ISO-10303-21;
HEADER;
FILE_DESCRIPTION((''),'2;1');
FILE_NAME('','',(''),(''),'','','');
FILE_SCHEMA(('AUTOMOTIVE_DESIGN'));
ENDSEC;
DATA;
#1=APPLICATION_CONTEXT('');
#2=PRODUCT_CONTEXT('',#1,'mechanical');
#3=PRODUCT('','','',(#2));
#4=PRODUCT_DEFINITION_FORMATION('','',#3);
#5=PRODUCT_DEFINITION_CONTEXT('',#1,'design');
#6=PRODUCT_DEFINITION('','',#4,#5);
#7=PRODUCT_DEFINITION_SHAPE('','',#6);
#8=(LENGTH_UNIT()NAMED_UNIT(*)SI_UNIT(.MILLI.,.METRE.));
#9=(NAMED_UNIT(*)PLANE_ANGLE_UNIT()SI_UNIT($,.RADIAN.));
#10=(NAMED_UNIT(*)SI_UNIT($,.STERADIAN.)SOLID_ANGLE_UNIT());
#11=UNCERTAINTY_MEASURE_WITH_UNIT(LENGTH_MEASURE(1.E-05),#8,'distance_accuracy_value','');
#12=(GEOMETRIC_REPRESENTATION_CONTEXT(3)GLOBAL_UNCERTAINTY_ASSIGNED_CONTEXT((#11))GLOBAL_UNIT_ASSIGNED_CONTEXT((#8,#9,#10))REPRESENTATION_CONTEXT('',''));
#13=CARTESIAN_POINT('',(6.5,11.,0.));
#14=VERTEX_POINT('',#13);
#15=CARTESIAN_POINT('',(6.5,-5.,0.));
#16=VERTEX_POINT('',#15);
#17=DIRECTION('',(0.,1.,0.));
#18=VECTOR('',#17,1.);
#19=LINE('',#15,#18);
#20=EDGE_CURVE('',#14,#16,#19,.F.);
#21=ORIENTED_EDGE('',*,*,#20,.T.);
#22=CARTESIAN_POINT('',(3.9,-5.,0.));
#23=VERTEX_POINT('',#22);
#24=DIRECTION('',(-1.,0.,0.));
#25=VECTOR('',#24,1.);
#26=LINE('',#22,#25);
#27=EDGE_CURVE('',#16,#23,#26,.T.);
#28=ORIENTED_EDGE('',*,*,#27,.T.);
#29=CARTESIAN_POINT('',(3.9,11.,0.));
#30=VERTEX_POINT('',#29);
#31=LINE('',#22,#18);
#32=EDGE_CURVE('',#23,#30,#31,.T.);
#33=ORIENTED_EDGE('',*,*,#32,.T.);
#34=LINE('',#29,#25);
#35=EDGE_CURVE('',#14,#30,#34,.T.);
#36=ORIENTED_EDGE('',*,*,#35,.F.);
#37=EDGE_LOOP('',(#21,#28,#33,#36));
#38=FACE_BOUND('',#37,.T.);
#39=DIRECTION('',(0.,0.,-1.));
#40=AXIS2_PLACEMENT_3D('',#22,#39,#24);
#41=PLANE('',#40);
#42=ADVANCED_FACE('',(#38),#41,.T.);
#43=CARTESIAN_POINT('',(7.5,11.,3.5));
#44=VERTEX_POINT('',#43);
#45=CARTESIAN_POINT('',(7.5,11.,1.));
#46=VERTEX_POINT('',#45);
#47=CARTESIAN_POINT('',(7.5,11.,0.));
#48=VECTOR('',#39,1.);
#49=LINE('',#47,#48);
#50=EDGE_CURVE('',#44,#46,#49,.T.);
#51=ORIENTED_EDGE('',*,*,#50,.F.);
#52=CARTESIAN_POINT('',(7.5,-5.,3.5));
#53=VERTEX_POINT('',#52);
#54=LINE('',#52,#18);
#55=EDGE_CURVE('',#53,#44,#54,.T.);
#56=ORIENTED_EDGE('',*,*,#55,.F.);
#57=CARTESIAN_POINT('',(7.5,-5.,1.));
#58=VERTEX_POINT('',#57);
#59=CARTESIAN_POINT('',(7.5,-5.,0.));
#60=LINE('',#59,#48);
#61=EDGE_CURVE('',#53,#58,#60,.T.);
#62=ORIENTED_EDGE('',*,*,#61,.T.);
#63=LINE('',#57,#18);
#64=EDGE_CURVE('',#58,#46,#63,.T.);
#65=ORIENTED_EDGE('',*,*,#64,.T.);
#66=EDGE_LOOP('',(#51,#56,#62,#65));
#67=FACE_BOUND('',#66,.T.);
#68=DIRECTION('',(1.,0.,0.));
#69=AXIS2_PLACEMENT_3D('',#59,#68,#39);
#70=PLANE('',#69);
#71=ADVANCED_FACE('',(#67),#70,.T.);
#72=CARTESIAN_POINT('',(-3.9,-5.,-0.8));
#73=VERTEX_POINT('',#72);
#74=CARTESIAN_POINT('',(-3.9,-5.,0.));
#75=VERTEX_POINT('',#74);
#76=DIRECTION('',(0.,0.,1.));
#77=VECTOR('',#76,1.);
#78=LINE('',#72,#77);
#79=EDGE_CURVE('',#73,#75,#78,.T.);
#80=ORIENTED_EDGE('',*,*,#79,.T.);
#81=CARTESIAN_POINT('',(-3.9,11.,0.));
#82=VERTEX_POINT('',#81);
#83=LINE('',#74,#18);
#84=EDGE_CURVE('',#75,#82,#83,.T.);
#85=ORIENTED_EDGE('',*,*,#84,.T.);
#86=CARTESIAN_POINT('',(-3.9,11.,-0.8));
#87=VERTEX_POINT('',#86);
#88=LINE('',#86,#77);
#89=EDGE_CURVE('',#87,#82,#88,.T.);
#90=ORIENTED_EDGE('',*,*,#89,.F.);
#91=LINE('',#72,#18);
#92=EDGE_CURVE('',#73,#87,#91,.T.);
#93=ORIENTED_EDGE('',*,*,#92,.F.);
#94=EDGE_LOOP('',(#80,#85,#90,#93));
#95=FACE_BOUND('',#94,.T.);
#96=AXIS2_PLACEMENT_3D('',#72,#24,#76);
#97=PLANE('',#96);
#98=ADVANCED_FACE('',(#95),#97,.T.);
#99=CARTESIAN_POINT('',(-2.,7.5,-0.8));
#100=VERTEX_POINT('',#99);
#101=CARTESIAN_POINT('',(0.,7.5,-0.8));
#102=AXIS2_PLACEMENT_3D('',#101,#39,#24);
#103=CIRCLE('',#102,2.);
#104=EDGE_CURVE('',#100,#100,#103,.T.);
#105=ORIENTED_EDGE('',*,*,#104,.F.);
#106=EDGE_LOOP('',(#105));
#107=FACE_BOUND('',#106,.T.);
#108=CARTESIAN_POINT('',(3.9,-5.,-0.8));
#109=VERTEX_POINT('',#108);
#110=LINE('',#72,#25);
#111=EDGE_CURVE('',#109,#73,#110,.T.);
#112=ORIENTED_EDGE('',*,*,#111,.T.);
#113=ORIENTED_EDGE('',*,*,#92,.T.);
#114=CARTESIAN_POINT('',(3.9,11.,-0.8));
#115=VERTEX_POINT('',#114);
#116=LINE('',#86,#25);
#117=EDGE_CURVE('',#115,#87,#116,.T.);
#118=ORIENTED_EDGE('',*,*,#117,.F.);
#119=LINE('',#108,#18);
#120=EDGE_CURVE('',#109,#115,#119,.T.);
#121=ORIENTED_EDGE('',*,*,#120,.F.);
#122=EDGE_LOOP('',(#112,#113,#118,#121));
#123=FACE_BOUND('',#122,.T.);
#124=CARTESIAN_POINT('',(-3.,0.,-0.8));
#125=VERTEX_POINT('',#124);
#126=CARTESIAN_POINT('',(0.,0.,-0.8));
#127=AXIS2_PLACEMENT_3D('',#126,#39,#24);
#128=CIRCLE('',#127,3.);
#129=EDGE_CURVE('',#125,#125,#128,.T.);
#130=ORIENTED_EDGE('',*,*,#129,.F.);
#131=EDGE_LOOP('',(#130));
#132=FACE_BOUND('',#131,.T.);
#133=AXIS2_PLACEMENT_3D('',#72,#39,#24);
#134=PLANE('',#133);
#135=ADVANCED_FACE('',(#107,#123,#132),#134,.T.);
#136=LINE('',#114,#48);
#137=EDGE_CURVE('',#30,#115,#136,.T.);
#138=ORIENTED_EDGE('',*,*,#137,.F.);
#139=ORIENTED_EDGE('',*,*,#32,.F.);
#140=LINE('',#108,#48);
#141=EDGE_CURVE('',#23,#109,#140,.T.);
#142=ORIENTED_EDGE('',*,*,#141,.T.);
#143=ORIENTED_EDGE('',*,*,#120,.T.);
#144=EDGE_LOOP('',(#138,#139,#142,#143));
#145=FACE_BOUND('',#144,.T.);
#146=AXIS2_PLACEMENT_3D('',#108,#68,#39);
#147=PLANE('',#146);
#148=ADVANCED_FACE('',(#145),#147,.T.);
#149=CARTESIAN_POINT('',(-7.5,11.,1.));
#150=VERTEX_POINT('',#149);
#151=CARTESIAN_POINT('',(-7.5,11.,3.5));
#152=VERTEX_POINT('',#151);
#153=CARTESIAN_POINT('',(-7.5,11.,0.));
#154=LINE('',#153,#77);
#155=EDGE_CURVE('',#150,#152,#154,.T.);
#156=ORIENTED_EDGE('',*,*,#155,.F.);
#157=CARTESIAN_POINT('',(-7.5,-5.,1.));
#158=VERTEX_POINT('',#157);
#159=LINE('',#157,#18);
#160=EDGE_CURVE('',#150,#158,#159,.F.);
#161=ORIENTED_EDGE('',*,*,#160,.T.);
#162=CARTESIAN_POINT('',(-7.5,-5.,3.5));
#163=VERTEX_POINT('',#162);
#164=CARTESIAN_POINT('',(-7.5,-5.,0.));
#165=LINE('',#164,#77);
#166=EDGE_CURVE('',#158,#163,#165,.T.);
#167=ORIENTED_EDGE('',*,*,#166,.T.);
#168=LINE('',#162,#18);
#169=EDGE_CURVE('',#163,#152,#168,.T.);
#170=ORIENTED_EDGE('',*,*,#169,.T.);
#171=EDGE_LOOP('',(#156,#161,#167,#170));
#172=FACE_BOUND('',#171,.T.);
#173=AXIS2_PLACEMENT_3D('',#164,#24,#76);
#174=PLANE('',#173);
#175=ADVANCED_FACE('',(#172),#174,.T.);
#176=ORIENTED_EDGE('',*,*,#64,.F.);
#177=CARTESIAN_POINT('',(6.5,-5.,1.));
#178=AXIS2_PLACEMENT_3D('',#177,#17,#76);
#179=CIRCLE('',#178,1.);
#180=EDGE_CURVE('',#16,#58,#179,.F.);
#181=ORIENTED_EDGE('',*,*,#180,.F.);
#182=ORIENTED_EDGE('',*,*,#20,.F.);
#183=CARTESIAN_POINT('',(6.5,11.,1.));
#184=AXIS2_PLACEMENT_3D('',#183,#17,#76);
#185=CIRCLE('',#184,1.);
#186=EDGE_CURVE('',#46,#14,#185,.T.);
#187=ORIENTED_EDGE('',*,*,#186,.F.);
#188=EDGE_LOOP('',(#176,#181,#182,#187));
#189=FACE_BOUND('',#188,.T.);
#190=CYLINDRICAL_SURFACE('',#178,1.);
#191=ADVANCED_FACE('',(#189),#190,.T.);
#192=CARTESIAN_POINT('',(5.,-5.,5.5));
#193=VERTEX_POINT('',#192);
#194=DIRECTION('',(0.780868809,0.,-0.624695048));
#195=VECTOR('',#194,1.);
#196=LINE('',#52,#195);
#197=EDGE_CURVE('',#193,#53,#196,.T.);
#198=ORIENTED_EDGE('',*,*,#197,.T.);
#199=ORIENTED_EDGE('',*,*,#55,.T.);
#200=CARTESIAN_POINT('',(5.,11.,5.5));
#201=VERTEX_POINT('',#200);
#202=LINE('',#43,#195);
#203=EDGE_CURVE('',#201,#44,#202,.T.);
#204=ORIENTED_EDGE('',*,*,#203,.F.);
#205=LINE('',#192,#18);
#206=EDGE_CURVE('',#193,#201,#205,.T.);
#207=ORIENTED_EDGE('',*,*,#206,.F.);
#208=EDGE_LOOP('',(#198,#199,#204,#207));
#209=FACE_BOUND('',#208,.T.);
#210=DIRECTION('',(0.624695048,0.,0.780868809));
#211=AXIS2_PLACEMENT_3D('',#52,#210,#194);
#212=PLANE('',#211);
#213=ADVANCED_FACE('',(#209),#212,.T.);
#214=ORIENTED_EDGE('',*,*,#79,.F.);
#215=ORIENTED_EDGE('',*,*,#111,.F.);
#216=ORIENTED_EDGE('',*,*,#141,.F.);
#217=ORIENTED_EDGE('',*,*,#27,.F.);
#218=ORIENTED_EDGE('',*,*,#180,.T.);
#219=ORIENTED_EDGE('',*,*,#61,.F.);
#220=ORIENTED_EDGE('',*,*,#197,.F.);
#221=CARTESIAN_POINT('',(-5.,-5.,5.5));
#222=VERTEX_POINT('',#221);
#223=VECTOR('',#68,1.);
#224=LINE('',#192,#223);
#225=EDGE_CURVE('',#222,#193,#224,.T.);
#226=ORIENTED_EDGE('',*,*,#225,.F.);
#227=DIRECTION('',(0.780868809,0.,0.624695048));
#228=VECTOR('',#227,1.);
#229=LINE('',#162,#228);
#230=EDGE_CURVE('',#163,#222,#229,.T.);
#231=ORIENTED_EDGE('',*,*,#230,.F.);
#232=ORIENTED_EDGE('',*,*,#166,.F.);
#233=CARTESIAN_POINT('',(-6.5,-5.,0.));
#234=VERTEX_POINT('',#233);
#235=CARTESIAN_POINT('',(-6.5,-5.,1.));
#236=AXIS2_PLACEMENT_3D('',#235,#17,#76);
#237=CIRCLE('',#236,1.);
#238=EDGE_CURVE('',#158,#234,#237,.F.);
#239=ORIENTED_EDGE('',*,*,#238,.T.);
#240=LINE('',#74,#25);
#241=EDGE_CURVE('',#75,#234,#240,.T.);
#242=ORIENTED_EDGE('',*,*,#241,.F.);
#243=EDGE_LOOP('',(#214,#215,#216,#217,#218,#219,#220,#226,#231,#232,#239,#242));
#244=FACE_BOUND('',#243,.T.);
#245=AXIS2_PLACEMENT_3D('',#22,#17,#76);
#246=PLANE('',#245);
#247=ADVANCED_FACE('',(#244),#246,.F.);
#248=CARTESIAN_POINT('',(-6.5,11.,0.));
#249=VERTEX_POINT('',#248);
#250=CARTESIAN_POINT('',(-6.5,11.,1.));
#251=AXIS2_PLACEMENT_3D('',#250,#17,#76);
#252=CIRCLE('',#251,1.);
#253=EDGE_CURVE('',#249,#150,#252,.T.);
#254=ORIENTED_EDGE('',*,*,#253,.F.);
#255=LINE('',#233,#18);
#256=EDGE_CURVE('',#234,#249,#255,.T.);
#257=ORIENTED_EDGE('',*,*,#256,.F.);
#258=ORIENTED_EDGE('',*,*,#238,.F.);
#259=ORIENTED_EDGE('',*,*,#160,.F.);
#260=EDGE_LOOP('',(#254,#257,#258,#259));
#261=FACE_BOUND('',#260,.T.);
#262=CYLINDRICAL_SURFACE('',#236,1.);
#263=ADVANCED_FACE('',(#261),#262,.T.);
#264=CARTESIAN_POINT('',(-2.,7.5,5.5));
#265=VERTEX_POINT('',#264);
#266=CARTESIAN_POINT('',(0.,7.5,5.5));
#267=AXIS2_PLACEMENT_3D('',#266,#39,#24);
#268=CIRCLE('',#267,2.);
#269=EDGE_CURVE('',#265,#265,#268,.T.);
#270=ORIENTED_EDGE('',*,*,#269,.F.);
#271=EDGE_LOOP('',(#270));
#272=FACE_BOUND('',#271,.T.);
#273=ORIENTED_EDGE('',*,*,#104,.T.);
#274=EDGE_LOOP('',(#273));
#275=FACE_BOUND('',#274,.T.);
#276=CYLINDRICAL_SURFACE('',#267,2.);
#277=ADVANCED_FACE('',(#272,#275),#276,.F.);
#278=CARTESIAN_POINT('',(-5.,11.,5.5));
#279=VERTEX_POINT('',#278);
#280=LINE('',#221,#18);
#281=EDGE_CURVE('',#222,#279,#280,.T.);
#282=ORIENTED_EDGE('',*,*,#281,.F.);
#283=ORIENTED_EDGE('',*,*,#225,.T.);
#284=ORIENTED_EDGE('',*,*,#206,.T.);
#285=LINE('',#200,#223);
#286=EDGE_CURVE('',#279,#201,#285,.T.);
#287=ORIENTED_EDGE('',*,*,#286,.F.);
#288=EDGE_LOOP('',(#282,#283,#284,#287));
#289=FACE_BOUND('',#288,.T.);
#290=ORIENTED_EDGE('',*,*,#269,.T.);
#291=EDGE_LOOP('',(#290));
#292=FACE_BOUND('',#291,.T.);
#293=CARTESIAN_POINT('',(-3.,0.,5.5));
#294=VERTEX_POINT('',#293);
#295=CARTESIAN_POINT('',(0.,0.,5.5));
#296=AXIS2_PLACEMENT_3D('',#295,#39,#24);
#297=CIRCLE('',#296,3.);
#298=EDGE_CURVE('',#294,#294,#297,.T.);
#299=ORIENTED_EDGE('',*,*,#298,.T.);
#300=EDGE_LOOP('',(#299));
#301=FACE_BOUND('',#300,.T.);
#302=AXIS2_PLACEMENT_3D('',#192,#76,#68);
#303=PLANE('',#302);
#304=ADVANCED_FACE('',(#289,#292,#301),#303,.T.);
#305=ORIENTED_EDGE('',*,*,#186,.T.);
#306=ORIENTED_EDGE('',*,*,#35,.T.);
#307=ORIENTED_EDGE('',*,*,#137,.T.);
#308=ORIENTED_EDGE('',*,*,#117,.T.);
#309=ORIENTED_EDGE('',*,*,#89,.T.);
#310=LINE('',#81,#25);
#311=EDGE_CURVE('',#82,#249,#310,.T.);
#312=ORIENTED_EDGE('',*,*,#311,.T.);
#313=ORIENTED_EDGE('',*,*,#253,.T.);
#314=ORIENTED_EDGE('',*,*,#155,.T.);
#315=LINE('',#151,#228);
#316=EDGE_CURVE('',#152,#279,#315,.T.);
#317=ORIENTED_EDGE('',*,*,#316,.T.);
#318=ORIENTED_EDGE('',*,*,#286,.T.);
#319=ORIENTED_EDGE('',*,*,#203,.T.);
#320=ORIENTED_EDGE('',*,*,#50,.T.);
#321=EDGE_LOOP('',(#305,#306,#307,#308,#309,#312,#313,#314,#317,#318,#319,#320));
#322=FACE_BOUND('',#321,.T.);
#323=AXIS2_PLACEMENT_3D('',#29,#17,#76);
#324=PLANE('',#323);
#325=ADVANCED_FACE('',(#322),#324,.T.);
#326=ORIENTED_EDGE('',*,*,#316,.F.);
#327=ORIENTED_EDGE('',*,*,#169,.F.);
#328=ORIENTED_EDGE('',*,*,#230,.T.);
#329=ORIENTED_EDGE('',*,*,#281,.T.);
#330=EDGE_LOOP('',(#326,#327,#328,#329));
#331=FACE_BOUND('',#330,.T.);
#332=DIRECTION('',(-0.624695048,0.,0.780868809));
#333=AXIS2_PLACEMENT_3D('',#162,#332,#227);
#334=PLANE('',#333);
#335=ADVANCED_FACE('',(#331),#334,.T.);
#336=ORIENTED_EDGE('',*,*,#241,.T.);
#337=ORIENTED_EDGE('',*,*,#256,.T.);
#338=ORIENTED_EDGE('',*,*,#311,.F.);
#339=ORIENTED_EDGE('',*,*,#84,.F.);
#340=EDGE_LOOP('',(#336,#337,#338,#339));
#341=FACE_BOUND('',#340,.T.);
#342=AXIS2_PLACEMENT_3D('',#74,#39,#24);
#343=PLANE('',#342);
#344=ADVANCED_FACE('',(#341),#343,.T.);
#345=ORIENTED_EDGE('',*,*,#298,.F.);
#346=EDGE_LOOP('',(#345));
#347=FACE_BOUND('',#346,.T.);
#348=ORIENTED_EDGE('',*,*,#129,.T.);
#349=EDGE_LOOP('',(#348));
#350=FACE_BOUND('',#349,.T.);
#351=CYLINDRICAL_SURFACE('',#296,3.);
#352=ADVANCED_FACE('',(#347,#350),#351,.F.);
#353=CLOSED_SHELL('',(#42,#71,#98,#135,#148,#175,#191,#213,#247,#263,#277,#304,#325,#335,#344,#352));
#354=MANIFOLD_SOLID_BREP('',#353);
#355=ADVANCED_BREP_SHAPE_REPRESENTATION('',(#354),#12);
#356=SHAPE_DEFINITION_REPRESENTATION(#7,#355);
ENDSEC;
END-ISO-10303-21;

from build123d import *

# Parameters (mm, degrees)
BOSS_EXTRUDE1_DEPTH      = 11
BOSS_EXTRUDE1_DEPTH_BACK = 5
SKETCH2_R                = 3
SKETCH2_R_2              = 2
CUT_EXTRUDE1_DEPTH       = 7.3
FILLET1_R                = 1


with BuildPart() as part:
    # Sketch1 → Boss-Extrude1 (new body, two sides)
    with BuildSketch(Plane(origin=(0, 0, 0), x_dir=(1, 0, 0), z_dir=(0, 1, 0))) as boss_extrude1_sk:
        Polygon((-3.9, 0.8), (3.9, 0.8), (3.9, 0), (7.5, 0), (7.5, -3.5), (5, -5.5), (-5, -5.5), (-7.5, -3.5), (-7.5, 0), (-3.9, 0), align=None)
    extrude(amount=BOSS_EXTRUDE1_DEPTH)
    extrude(boss_extrude1_sk.sketch, amount=-BOSS_EXTRUDE1_DEPTH_BACK)

    # Sketch2 → Cut-Extrude1 (cut, through all)
    with BuildSketch(Plane(origin=(0, 0, -0.8), x_dir=(-1, 0, 0), z_dir=(0, 0, -1))):
        Circle(SKETCH2_R)
        with Locations((0, 7.5)):
            Circle(SKETCH2_R_2)
    extrude(amount=-CUT_EXTRUDE1_DEPTH, mode=Mode.SUBTRACT)

    # Fillet1
    fillet1_edges = [part.edges().sort_by_distance(p)[0] for p in [
        (7.5, 3, 0),
        (-7.5, 3, 0),
    ]]
    fillet(fillet1_edges, radius=FILLET1_R)


solid = part.part
